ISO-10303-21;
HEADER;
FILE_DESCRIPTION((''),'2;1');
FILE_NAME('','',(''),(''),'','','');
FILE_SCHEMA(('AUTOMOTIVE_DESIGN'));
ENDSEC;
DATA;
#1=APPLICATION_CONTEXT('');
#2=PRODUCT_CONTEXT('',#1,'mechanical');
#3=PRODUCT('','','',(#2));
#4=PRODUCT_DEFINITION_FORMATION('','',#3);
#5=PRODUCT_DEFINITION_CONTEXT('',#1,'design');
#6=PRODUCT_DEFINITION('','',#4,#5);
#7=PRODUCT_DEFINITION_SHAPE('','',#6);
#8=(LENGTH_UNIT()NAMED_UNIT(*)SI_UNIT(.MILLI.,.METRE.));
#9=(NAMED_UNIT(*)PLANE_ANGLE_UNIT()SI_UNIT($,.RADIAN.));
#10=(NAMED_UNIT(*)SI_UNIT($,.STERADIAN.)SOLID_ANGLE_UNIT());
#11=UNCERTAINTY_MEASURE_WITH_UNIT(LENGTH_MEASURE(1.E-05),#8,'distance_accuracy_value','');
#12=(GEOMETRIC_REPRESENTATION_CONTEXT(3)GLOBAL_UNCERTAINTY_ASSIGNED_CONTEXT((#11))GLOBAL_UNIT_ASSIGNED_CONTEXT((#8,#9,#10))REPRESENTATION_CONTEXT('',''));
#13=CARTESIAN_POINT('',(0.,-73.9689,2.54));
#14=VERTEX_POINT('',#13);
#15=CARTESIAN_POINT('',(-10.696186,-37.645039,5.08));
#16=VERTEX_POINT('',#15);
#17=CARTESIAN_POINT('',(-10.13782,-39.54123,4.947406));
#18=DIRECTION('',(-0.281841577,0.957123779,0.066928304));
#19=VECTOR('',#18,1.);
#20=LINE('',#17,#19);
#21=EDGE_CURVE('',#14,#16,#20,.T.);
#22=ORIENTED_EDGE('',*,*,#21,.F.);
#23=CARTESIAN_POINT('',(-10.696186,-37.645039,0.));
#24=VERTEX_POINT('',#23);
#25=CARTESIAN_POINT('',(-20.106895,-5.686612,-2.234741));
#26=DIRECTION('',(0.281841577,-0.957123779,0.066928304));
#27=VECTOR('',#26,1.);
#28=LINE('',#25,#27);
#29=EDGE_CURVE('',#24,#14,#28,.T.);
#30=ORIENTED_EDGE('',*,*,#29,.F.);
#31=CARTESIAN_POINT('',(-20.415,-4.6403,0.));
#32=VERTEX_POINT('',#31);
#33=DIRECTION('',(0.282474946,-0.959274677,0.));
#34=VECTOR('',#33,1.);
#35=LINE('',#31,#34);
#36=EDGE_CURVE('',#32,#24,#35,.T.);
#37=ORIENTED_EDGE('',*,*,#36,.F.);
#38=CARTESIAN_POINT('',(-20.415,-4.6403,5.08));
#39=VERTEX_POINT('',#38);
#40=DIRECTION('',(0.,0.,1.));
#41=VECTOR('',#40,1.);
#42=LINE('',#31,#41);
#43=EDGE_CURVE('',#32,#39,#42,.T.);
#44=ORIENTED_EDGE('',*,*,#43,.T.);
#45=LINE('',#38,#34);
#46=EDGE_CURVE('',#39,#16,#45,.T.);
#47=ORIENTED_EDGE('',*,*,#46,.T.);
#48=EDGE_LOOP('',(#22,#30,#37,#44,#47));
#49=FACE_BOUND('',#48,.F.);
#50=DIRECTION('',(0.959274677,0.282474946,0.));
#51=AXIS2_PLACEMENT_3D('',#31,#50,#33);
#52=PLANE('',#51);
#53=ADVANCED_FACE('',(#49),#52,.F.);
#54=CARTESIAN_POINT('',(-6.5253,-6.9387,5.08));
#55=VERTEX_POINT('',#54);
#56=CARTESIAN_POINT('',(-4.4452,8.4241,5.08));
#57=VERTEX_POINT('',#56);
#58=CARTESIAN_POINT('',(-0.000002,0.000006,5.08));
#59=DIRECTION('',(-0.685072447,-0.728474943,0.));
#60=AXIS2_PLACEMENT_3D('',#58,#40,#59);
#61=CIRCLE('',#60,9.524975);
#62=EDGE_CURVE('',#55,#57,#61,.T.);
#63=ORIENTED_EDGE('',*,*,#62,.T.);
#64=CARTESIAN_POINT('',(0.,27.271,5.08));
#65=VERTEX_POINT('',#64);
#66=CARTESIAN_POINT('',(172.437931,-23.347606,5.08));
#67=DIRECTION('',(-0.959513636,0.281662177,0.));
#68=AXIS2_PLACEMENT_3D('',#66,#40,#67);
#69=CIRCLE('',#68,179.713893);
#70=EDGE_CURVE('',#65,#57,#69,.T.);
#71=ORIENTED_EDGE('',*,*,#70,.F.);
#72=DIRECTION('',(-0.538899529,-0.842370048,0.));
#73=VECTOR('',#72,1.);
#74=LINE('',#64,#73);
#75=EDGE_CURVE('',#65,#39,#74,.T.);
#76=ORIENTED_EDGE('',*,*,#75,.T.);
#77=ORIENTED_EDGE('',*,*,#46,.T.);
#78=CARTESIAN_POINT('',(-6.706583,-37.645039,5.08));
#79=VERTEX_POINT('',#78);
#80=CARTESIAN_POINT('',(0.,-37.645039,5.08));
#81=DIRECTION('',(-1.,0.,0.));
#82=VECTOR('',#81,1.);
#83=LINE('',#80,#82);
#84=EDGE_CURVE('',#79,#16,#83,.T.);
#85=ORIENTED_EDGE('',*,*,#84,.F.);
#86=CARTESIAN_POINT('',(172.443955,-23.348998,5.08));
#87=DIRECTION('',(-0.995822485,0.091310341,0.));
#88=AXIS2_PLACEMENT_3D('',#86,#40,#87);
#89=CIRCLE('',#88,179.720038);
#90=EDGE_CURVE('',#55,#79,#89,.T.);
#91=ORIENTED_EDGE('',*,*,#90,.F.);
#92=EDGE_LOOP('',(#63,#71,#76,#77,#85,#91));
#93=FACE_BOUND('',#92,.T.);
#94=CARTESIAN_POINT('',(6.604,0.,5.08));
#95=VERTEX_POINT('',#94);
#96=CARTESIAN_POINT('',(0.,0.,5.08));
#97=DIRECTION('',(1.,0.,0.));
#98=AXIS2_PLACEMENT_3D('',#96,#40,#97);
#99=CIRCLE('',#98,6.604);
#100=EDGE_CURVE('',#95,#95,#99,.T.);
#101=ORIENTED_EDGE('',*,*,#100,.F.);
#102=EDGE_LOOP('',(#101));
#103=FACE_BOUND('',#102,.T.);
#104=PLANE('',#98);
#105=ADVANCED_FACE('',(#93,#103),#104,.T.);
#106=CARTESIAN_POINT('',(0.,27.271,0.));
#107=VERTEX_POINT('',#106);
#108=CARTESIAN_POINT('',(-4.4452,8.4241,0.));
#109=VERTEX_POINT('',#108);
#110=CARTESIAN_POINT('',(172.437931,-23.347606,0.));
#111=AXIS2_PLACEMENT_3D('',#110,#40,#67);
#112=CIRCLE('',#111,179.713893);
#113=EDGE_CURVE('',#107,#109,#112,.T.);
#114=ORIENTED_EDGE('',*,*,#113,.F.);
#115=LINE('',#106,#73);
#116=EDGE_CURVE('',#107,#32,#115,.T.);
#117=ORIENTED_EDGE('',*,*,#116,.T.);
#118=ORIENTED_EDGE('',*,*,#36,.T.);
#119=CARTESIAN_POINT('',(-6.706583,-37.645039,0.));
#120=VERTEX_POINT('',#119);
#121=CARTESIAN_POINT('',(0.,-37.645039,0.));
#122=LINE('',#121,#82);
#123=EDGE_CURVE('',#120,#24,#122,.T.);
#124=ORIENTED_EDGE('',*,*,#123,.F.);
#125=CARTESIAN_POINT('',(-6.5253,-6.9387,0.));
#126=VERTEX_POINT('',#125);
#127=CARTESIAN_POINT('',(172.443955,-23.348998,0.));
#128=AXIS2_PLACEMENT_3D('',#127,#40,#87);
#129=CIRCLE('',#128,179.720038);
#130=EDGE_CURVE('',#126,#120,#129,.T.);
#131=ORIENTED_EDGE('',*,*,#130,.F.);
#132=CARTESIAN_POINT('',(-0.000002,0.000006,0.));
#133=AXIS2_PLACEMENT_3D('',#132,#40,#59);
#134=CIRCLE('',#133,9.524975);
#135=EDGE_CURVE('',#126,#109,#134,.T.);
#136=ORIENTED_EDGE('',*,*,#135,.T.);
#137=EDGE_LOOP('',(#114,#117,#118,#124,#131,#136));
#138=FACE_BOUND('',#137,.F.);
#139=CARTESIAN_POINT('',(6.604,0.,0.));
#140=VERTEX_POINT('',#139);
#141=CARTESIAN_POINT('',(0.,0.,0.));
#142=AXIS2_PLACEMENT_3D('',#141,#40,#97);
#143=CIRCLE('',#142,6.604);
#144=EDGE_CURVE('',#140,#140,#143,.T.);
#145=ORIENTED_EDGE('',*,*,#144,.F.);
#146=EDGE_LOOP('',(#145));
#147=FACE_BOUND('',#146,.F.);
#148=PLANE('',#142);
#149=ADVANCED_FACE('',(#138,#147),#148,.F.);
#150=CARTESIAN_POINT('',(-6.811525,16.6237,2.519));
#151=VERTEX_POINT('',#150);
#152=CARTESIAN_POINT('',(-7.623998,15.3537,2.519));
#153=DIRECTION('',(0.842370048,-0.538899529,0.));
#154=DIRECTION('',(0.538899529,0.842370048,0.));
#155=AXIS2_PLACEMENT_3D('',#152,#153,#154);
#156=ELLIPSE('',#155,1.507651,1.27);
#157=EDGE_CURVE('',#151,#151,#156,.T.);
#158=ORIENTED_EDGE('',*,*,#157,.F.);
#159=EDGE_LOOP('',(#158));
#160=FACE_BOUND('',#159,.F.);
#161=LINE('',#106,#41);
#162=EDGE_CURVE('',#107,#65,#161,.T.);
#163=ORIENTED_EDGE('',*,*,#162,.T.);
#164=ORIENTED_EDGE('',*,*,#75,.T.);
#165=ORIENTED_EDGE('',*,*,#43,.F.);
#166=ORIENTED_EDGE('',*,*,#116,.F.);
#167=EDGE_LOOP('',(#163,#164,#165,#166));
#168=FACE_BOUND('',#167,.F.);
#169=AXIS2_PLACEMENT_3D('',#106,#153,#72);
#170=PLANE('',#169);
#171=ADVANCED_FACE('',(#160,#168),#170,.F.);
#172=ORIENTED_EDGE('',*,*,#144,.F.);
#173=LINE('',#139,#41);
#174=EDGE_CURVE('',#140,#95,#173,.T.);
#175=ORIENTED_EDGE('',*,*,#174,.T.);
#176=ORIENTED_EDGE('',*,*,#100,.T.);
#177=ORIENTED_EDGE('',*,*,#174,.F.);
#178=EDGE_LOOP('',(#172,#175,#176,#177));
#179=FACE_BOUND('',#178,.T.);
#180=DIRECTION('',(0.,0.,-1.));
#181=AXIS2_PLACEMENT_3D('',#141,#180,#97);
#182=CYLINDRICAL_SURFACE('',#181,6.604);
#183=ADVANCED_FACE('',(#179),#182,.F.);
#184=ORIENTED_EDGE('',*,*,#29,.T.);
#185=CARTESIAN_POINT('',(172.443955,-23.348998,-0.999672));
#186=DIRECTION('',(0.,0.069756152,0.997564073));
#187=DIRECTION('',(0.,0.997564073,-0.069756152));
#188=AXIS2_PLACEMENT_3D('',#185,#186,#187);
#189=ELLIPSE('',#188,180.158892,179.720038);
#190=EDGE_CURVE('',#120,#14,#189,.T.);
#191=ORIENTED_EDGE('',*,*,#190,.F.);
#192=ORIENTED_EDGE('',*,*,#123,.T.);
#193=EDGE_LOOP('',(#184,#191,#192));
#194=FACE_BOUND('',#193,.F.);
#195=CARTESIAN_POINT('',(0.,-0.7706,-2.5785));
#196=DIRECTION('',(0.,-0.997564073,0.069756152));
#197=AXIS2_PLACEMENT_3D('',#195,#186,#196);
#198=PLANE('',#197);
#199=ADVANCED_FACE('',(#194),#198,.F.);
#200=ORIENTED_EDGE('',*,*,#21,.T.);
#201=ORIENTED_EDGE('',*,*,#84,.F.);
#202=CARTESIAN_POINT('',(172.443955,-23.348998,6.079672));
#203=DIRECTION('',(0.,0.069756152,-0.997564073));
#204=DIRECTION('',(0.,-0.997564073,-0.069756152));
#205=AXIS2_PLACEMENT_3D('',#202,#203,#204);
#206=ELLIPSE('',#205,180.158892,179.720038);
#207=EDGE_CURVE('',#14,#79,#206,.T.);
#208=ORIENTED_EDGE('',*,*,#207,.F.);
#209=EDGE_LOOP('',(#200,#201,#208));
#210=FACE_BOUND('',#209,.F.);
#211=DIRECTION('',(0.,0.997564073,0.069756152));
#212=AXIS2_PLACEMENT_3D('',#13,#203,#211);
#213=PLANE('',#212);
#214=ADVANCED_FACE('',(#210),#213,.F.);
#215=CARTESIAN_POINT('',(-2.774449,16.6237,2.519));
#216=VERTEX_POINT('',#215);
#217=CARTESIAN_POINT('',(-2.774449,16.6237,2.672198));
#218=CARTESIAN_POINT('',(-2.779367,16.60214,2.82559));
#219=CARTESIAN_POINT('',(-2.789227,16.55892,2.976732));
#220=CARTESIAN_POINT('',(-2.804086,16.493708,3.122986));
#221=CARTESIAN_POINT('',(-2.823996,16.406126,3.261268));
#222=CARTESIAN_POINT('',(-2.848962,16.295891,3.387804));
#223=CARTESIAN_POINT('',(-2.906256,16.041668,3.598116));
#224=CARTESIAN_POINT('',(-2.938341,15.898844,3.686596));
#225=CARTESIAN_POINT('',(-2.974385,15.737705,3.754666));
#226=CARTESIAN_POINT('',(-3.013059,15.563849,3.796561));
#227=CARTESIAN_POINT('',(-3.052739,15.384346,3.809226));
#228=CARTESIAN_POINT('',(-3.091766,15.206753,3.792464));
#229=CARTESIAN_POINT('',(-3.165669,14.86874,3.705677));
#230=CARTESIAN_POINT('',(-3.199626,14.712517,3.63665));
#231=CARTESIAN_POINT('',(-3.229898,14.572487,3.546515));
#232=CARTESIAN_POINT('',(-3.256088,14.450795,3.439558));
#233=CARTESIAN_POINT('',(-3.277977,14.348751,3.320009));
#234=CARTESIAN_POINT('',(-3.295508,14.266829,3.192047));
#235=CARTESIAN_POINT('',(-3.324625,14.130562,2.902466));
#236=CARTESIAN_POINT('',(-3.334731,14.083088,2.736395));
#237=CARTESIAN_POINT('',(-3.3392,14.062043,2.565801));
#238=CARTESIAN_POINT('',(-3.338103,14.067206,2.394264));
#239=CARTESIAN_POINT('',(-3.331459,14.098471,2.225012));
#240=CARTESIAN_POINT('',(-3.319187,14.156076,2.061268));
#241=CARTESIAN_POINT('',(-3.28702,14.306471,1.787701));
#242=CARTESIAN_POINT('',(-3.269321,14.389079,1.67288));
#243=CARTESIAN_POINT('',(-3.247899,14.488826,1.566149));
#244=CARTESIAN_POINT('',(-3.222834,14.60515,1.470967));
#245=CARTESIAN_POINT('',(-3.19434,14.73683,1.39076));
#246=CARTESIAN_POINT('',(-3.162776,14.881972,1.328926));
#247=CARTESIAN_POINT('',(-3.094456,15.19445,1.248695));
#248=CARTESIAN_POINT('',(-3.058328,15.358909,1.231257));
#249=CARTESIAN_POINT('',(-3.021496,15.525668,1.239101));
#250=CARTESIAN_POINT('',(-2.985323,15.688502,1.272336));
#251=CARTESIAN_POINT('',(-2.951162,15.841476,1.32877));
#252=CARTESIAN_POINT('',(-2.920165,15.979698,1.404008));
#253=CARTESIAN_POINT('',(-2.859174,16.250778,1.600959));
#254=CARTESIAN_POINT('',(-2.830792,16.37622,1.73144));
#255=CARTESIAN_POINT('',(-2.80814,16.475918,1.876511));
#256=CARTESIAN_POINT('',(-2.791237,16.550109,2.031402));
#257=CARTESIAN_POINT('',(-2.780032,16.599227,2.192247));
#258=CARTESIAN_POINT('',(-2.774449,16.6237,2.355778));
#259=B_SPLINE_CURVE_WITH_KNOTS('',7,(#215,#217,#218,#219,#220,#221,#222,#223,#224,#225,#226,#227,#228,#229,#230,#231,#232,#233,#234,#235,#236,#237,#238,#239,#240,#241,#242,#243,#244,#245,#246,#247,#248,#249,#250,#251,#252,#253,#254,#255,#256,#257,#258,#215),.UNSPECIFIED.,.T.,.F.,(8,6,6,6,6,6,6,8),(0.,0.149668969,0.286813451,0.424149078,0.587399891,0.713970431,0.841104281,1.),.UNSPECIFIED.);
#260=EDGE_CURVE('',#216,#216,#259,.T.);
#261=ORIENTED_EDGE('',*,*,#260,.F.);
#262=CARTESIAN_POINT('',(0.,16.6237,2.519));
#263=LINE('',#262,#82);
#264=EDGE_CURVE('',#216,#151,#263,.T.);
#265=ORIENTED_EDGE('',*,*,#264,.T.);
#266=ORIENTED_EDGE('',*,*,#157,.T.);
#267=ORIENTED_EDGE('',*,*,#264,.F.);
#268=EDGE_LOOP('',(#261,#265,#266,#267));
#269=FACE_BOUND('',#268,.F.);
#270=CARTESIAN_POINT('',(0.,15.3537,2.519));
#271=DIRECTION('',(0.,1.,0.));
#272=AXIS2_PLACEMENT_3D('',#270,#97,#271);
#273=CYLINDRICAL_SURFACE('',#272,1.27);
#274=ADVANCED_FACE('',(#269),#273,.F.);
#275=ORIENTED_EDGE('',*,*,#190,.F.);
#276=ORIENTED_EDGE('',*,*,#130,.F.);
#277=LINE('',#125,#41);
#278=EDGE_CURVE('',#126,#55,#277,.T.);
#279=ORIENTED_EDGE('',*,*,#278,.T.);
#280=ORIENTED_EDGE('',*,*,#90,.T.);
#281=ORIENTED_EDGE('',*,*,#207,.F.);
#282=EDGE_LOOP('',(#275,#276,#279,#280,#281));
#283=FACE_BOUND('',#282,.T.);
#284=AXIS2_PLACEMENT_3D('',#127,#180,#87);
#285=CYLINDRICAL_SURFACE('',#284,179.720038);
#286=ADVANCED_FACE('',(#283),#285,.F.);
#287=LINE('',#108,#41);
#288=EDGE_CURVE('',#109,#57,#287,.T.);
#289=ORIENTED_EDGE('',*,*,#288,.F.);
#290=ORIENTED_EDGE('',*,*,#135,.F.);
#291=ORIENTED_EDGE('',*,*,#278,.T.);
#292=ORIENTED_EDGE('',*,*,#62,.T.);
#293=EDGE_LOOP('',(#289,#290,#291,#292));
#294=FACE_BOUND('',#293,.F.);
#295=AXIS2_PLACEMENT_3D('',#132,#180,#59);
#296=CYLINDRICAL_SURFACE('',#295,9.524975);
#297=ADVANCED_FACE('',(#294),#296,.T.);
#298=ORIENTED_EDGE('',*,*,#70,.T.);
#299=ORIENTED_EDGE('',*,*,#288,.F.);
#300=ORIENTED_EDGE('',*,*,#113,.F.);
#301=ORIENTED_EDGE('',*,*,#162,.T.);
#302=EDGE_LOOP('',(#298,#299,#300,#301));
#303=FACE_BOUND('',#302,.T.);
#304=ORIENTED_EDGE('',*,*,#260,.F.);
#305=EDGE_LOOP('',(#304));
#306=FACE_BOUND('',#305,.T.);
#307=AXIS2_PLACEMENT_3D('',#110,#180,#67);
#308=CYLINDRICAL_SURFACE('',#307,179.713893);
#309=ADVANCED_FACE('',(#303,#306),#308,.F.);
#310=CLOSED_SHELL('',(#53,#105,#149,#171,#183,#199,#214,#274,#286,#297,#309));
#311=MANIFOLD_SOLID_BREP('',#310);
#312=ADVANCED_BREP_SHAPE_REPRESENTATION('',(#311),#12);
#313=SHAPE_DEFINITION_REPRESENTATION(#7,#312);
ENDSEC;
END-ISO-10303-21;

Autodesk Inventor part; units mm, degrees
ref_plane "YZ Plane" through (0, 0, 0) normal (1, 0, 0) x (0, 1, 0)
ref_plane "XZ Plane" through (0, 0, 0) normal (0, 1, 0) x (-1, 0, 0)
ref_plane "XY Plane" through (0, 0, 0) normal (0, 0, 1) x (1, 0, 0)
sketch "Sketch1" plane through (0, 0, 0) normal (0, 0, 1) x (1, 0, 0)
  circle A0 centre (0, 0) radius 6.604
  arc A1 (-6.5253, -6.9387) -> (-4.4452, 8.4241) centre (0, 0) ccw
  line L0 (0, 27.271) -> (-20.415, -4.6403)
  line L1 (-20.415, -4.6403) -> (0, -73.9689)
  arc A2 (0, 27.271) -> (-4.4452, 8.4241) centre (172.4432, -23.349) ccw
  arc A3 (-6.5253, -6.9387) -> (0, -73.9689) centre (172.4432, -23.349) ccw
  dimension "d0" = 13.208
  dimension "d1" = 19.05
extrude "Extrusion1" add sketch "Sketch1" along normal blind 5.08
sketch "Sketch2" plane through (0, 0, 0) normal (1, 0, 0) x (0, 1, 0)
  line L0 (-73.9689, 0) -> (-73.9689, 5.08) projected
  line L1 (-73.9689, 2.54) -> (-0.7706, 7.6585)
  line L2 (-0.7706, 7.6585) -> (-0.7706, -2.5785)
  line L3 (-0.7706, -2.5785) -> (-73.9689, 2.54)
  line L4 (-0.7706, -2.5785) -> (-76.3846, -2.5785)
  line L5 (-76.3846, -2.5785) -> (-76.3846, 10.5273)
  line L6 (-76.3846, 10.5273) -> (-0.7706, 10.5273)
  line L7 (-0.7706, 10.5273) -> (-0.7706, 7.6585)
  point P0 (0, 0)
  dimension "d4" = 86
  dimension "d5" = 86
extrude "Extrusion2" cut sketch "Sketch2" against normal blind 25.7175 contours L3 L4 L5 L6 L7 L1
sketch "Sketch3" plane through (0, 0, 0) normal (1, 0, 0) x (0, 1, 0)
  line L0 (8.4241, 0) -> (27.271, 0) projected
  line L1 (15.3537, 0) -> (15.3537, 5.0379)
  circle A0 centre (15.3537, 2.519) radius 1.27
  point P0 (0, 0)
  dimension "d8" = 2.54
extrude "Extrusion3" cut sketch "Sketch3" against normal blind 25.7175
sketch "Sketch4" plane through (0, 0, 0) normal (0, 1, 0) x (-1, 0, 0)
  line L0 (20.415, 0) -> (20.415, 5.08) projected
  line L1 (6.5253, 5.08) -> (-9.525, 5.08) projected
  point P0 (0, 0)
  point P1 (4.4452, 5.08)
  dimension "d11" = 29.94
properties part number "legV2"
